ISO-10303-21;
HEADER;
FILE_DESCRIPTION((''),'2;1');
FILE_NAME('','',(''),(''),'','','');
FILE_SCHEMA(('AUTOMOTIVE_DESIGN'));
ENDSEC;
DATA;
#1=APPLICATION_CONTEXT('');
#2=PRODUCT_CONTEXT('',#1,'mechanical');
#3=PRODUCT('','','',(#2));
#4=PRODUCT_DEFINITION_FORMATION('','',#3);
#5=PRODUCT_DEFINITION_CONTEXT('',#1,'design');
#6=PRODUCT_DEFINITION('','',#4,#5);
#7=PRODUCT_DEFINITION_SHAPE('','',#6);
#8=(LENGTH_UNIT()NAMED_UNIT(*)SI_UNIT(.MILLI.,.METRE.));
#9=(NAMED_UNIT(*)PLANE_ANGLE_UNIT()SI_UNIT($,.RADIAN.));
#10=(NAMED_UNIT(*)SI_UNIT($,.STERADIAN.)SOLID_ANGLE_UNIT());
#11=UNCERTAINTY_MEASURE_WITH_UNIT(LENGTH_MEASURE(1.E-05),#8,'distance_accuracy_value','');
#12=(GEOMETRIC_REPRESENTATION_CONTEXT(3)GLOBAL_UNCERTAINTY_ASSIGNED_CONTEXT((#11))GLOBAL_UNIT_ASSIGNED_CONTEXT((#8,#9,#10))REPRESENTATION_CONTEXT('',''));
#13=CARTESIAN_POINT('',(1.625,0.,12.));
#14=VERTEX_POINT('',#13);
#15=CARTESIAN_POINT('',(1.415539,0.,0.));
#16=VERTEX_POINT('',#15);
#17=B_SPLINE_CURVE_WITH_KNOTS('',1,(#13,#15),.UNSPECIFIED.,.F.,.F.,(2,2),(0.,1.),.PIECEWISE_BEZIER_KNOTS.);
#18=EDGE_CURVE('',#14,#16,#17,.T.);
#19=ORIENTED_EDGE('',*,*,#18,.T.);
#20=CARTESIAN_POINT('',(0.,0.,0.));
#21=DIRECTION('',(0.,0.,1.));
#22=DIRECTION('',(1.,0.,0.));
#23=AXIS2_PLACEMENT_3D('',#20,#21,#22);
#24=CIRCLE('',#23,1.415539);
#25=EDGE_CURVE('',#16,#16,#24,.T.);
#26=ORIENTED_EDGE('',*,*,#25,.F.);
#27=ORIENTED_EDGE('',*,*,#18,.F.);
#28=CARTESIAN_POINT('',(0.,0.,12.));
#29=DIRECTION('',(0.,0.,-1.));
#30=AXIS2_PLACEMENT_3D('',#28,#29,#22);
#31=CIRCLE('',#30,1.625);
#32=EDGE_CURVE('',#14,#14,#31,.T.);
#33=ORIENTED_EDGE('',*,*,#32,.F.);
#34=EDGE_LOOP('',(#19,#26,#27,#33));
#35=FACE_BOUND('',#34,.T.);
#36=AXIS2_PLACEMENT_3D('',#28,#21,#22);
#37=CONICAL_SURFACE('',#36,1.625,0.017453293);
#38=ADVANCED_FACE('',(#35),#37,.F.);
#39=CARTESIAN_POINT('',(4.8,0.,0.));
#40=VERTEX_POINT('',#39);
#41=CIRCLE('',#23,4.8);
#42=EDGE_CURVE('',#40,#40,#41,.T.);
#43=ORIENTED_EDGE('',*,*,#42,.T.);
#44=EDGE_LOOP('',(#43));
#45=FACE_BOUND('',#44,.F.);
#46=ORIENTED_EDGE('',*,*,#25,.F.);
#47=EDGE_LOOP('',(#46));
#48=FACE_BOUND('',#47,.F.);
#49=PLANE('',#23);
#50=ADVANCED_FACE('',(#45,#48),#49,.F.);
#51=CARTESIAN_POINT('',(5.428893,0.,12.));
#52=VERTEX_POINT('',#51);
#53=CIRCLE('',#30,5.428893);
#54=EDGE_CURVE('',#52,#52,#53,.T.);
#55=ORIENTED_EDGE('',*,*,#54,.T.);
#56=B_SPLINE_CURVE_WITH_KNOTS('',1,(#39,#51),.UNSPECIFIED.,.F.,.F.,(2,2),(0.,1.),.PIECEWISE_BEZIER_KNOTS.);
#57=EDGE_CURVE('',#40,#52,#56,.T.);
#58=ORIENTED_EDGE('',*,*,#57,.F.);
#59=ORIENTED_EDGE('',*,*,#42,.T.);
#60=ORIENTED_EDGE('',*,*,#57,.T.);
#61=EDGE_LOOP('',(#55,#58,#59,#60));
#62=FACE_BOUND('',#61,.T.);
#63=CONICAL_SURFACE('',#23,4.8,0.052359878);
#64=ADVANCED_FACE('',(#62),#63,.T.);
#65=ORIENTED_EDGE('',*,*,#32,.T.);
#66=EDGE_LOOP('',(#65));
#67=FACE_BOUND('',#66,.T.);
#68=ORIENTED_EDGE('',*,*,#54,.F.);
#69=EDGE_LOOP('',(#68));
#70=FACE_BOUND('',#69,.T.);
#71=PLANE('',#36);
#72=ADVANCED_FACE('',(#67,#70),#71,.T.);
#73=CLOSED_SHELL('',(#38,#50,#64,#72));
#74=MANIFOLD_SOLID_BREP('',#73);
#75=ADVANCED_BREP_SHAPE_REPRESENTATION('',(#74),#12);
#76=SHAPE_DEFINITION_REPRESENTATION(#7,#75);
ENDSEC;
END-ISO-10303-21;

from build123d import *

# Parameters (mm, degrees)
F0_R     = 4.8
F1_DEPTH = 12
F1_TAPER = -3
F2_R     = 1.625
F3_DEPTH = 12
F3_TAPER = 1


with BuildPart() as f1:
    # F0 (on Top) → F1 (new body)
    with BuildSketch(Plane.XY):
        Circle(F0_R)
    extrude(amount=F1_DEPTH, taper=F1_TAPER)

    # F2 (on face) → F3 (cut)
    with BuildSketch(Plane.XY.offset(12)):
        Circle(F2_R)
    extrude(amount=-F3_DEPTH, taper=F3_TAPER, mode=Mode.SUBTRACT)


solid = f1.part
